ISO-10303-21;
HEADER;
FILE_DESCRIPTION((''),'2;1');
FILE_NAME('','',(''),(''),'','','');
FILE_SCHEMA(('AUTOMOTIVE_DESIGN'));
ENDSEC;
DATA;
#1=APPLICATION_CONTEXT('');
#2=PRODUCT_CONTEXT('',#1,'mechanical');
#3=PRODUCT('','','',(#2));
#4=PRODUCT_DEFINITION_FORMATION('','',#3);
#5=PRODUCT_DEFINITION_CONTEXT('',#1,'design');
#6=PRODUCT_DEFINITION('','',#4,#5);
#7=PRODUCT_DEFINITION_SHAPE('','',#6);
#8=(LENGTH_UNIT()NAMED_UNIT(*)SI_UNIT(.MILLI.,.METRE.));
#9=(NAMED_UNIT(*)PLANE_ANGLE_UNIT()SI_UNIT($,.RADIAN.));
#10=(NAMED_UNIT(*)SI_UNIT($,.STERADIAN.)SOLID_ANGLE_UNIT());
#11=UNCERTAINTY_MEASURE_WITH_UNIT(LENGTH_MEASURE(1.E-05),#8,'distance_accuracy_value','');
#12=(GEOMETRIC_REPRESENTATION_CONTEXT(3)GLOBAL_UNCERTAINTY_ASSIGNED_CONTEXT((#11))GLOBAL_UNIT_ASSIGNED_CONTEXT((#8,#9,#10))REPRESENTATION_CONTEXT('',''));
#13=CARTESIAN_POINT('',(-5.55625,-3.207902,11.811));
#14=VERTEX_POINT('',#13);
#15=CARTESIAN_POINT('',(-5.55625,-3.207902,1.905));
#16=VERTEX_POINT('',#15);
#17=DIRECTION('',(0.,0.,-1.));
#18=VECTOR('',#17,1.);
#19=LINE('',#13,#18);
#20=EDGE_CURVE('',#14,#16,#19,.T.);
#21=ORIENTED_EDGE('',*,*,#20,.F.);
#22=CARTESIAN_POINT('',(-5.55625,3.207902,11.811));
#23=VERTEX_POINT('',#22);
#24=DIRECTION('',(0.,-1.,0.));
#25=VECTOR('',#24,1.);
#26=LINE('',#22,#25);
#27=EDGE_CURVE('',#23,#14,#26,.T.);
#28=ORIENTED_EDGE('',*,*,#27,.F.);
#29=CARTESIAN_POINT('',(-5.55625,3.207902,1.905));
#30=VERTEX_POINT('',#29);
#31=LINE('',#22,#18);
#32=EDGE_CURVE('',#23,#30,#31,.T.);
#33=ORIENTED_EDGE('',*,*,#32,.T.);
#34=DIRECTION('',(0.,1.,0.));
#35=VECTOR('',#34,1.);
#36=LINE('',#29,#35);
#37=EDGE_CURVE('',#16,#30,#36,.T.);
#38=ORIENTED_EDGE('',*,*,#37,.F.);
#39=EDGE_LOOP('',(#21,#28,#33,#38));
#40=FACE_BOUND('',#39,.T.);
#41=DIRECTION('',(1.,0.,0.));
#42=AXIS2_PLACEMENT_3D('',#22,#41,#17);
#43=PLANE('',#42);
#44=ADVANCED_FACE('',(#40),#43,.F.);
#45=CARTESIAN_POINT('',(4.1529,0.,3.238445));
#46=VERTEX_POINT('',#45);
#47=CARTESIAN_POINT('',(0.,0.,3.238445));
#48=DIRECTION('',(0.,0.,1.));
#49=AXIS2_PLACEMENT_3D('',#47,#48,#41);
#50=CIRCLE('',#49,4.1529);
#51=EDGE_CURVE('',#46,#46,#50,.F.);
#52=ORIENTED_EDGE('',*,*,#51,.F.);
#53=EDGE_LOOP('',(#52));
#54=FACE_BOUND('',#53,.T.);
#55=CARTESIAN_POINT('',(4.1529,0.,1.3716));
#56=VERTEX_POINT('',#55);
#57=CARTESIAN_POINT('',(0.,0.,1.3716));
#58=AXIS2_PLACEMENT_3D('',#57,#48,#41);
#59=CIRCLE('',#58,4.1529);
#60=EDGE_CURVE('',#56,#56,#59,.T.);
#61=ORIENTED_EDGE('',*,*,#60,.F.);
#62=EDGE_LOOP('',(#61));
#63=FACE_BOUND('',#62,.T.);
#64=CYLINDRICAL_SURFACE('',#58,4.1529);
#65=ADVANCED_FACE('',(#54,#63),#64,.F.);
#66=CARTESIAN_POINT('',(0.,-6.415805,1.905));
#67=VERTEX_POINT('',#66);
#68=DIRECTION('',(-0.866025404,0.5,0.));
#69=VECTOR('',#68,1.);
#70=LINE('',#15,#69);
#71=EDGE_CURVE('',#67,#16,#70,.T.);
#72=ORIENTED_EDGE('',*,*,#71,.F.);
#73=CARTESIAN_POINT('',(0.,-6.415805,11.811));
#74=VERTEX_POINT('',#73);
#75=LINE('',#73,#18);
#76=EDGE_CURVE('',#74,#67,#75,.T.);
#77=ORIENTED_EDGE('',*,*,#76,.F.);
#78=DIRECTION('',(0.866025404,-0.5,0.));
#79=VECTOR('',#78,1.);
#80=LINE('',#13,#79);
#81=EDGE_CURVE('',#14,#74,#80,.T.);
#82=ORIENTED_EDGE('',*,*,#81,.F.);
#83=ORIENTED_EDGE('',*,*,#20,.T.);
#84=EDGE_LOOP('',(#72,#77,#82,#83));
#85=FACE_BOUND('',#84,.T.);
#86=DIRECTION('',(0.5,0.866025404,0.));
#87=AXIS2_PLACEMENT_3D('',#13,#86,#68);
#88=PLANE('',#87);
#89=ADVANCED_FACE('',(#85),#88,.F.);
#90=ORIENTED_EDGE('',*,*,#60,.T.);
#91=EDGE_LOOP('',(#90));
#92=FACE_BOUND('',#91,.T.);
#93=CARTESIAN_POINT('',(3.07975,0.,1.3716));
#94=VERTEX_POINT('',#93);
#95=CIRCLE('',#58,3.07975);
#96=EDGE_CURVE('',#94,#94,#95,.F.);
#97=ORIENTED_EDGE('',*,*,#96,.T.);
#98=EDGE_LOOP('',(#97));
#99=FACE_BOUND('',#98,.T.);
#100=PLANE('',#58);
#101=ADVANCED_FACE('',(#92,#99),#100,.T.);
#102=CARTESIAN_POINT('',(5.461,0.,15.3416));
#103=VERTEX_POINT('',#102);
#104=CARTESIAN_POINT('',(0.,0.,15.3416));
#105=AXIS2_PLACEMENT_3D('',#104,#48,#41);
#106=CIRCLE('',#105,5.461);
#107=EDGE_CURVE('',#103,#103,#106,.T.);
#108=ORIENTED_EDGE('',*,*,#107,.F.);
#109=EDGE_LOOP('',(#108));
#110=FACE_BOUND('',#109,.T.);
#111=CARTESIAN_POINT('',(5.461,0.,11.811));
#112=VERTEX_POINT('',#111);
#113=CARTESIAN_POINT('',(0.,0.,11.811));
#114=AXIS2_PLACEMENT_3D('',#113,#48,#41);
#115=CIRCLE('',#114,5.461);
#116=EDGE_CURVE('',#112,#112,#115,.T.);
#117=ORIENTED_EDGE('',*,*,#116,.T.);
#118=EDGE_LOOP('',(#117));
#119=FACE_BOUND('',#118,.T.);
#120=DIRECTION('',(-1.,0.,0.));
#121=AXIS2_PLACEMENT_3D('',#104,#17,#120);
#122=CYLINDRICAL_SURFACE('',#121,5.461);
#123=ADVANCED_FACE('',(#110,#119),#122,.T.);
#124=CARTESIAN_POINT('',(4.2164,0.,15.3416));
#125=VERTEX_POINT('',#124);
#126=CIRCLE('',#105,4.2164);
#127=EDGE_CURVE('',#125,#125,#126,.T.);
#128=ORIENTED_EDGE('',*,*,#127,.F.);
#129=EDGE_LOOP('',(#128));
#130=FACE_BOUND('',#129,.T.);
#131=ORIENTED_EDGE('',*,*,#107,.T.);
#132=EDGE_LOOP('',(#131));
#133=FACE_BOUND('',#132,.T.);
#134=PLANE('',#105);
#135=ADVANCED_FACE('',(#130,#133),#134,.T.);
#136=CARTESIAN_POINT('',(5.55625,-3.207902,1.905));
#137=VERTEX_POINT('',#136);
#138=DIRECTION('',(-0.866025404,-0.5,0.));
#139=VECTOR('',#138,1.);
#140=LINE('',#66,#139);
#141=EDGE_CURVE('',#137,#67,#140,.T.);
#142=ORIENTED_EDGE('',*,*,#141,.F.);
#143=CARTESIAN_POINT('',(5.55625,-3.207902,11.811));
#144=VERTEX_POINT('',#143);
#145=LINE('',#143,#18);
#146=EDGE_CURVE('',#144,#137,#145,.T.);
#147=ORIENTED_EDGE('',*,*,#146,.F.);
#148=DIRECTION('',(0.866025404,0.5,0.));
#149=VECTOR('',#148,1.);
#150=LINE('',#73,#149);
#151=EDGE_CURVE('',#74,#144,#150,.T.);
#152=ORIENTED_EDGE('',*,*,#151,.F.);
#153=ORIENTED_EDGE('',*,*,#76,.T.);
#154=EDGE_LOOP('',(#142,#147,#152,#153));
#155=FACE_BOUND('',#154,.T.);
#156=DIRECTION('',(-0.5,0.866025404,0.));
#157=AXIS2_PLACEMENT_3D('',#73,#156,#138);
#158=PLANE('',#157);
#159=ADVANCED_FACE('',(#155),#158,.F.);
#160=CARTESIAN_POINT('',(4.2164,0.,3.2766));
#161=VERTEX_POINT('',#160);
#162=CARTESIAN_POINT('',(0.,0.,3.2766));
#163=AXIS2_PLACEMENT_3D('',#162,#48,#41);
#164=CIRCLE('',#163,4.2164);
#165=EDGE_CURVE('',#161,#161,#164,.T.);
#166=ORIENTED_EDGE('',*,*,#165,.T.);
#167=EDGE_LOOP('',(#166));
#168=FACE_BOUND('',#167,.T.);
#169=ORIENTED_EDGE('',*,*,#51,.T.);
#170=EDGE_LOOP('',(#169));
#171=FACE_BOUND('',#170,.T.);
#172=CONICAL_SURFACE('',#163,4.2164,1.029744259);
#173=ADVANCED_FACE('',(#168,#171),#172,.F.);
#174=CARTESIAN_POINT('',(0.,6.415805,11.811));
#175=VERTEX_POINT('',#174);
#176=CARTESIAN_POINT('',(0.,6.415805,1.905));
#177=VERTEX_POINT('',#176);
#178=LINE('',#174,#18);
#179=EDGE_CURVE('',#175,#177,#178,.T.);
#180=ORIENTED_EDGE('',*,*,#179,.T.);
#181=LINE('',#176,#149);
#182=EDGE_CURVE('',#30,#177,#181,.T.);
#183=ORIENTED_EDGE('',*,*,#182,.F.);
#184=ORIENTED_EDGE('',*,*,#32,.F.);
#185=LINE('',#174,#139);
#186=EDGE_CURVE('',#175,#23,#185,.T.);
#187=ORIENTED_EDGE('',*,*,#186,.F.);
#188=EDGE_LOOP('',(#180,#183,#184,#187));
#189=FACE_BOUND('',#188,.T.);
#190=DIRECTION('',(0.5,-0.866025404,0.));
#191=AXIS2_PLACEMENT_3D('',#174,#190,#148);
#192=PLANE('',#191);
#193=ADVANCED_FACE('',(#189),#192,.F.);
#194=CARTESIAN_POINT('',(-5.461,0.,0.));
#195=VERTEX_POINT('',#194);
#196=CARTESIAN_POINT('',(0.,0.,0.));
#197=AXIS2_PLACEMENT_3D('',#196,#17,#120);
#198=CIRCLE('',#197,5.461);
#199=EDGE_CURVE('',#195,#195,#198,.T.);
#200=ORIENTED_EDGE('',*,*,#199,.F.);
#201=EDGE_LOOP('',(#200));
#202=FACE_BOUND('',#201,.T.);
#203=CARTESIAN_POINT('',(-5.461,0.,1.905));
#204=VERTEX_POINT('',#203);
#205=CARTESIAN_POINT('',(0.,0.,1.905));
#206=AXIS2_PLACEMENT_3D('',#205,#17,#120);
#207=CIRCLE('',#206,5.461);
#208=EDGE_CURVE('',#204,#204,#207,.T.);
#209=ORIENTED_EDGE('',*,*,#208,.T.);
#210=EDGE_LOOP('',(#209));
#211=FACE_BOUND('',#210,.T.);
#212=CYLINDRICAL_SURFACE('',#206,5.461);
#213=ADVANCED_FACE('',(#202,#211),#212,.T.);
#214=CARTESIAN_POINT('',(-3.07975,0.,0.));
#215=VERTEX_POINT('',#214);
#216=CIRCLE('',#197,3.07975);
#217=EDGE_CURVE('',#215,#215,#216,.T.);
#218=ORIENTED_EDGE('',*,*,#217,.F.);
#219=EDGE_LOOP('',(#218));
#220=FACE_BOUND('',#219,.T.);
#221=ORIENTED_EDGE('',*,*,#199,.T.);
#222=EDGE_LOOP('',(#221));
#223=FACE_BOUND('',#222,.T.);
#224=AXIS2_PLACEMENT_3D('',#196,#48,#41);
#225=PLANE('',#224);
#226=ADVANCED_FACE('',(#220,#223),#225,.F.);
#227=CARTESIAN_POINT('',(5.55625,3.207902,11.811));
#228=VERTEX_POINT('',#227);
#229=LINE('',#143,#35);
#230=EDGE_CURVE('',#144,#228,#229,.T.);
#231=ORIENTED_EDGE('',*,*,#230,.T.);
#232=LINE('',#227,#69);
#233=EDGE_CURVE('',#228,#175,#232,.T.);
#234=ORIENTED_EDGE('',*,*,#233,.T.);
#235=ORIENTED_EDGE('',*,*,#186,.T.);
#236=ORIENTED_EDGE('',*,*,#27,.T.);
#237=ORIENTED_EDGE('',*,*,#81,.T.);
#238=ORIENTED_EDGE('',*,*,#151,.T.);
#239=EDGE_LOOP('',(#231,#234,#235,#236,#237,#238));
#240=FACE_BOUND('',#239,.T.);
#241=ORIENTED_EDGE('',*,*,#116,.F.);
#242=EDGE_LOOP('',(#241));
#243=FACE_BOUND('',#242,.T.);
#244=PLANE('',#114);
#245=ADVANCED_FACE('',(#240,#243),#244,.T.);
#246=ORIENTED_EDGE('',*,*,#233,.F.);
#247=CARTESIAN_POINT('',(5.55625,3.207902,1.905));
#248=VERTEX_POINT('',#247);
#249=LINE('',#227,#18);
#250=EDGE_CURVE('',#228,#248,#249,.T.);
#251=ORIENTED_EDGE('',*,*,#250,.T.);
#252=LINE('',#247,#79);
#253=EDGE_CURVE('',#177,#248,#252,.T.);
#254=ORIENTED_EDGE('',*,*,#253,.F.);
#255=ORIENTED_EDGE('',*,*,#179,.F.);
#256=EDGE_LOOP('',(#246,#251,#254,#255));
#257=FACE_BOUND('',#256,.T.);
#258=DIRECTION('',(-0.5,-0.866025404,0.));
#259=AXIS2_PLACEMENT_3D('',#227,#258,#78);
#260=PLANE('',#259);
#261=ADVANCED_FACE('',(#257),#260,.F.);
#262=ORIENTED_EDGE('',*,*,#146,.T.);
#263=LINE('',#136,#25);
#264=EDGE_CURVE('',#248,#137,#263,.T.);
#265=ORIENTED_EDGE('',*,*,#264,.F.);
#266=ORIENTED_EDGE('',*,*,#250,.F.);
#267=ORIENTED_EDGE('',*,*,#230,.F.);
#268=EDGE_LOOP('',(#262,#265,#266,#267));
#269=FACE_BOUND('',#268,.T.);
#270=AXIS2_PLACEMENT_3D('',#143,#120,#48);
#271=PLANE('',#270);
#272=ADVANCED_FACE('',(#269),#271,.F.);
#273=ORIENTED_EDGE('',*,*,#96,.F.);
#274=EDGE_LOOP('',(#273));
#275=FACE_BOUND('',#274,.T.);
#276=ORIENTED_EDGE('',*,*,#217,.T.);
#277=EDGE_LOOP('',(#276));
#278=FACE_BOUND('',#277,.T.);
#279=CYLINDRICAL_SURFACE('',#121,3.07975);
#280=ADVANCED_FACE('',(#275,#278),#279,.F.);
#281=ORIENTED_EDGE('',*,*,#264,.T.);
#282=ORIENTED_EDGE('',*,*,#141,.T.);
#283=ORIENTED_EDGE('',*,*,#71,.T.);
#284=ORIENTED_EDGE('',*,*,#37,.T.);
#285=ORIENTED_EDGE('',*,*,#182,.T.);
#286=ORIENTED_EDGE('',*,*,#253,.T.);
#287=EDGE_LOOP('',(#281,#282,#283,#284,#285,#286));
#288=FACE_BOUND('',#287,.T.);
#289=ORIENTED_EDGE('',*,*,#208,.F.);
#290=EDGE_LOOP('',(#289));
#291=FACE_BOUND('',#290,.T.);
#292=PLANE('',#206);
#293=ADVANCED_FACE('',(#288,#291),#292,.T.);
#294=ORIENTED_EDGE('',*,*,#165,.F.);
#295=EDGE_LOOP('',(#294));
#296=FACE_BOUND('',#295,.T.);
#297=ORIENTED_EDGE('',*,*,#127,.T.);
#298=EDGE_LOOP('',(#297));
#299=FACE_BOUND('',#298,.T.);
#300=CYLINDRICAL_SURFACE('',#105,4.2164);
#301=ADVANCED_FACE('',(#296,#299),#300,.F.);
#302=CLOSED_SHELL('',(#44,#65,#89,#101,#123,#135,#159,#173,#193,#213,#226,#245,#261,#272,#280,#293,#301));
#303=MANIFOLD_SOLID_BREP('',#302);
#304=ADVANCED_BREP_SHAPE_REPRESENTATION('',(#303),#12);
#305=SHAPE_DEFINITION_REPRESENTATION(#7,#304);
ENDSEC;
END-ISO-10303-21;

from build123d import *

# Parameters (mm, degrees)
BOSS_EXTRUDE1_DEPTH         = 11.811
SKETCH5_R                   = 5.461
BOSS_EXTRUDE3_DEPTH         = 3.5306
F_3_8_24_TAPPED_HOLE2_D     = 8.4328
F_3_8_24_TAPPED_HOLE2_DEPTH = 12.065
F_3_8_24_TAPPED_HOLE2_TIP   = 2.533468714
SKETCH9_R                   = 3.07975
CUT_EXTRUDE1_DEPTH          = 16.3416
SKETCH10_R                  = 4.1529
CUT_EXTRUDE2_DEPTH          = 4.445
SKETCH11_OUTSIDE_W          = 17.688
SKETCH11_OUTSIDE_H          = 19.408
SKETCH11_OUTSIDE_R          = 5.461
CUT_EXTRUDE3_DEPTH          = 1.905


with BuildPart() as part:
    # Sketch1 → Boss-Extrude1 (new body)
    with BuildSketch(Plane.XY):
        Polygon((5.55625, -3.207902433), (5.55625, 3.207902433), (0, 6.415804866), (-5.55625, 3.207902433), (-5.55625, -3.207902433), (0, -6.415804866), align=None)
    extrude(amount=BOSS_EXTRUDE1_DEPTH)

    # Sketch5 → Boss-Extrude3 (add)
    with BuildSketch(Plane.XY.offset(11.811)):
        Circle(SKETCH5_R)
    extrude(amount=BOSS_EXTRUDE3_DEPTH)

    # 3/8-24 Tapped Hole2
    with Locations(Plane.XY.offset(15.3416)):
        with Locations((0, 0)):
            Hole(F_3_8_24_TAPPED_HOLE2_D / 2, depth=F_3_8_24_TAPPED_HOLE2_DEPTH)
            with Locations((0, 0, -(F_3_8_24_TAPPED_HOLE2_DEPTH + F_3_8_24_TAPPED_HOLE2_TIP / 2))):  # 118° drill point
                Cone(0, F_3_8_24_TAPPED_HOLE2_D / 2, F_3_8_24_TAPPED_HOLE2_TIP, mode=Mode.SUBTRACT)

    # Sketch9 → Cut-Extrude1 (cut, through all)
    with BuildSketch(Plane(origin=(0, 0, 0), x_dir=(-1, 0, 0), z_dir=(0, 0, -1))):
        Circle(SKETCH9_R)
    extrude(amount=-CUT_EXTRUDE1_DEPTH, mode=Mode.SUBTRACT)

    # Sketch10 → Cut-Extrude2 (cut)
    with BuildSketch(Plane.XY.offset(5.8166)):
        Circle(SKETCH10_R)
    extrude(amount=-CUT_EXTRUDE2_DEPTH, mode=Mode.SUBTRACT)

    # Sketch11 outside → Cut-Extrude3 (cut)
    with BuildSketch(Plane(origin=(0, 0, 0), x_dir=(-1, 0, 0), z_dir=(0, 0, -1))):
        Rectangle(SKETCH11_OUTSIDE_W, SKETCH11_OUTSIDE_H)
        with Locations(Location((0, 0, 0), (0, 0, 180))):  # turned: the seam where the file's is
            Circle(SKETCH11_OUTSIDE_R, mode=Mode.SUBTRACT)
    extrude(amount=-CUT_EXTRUDE3_DEPTH, mode=Mode.SUBTRACT)


solid = part.part
